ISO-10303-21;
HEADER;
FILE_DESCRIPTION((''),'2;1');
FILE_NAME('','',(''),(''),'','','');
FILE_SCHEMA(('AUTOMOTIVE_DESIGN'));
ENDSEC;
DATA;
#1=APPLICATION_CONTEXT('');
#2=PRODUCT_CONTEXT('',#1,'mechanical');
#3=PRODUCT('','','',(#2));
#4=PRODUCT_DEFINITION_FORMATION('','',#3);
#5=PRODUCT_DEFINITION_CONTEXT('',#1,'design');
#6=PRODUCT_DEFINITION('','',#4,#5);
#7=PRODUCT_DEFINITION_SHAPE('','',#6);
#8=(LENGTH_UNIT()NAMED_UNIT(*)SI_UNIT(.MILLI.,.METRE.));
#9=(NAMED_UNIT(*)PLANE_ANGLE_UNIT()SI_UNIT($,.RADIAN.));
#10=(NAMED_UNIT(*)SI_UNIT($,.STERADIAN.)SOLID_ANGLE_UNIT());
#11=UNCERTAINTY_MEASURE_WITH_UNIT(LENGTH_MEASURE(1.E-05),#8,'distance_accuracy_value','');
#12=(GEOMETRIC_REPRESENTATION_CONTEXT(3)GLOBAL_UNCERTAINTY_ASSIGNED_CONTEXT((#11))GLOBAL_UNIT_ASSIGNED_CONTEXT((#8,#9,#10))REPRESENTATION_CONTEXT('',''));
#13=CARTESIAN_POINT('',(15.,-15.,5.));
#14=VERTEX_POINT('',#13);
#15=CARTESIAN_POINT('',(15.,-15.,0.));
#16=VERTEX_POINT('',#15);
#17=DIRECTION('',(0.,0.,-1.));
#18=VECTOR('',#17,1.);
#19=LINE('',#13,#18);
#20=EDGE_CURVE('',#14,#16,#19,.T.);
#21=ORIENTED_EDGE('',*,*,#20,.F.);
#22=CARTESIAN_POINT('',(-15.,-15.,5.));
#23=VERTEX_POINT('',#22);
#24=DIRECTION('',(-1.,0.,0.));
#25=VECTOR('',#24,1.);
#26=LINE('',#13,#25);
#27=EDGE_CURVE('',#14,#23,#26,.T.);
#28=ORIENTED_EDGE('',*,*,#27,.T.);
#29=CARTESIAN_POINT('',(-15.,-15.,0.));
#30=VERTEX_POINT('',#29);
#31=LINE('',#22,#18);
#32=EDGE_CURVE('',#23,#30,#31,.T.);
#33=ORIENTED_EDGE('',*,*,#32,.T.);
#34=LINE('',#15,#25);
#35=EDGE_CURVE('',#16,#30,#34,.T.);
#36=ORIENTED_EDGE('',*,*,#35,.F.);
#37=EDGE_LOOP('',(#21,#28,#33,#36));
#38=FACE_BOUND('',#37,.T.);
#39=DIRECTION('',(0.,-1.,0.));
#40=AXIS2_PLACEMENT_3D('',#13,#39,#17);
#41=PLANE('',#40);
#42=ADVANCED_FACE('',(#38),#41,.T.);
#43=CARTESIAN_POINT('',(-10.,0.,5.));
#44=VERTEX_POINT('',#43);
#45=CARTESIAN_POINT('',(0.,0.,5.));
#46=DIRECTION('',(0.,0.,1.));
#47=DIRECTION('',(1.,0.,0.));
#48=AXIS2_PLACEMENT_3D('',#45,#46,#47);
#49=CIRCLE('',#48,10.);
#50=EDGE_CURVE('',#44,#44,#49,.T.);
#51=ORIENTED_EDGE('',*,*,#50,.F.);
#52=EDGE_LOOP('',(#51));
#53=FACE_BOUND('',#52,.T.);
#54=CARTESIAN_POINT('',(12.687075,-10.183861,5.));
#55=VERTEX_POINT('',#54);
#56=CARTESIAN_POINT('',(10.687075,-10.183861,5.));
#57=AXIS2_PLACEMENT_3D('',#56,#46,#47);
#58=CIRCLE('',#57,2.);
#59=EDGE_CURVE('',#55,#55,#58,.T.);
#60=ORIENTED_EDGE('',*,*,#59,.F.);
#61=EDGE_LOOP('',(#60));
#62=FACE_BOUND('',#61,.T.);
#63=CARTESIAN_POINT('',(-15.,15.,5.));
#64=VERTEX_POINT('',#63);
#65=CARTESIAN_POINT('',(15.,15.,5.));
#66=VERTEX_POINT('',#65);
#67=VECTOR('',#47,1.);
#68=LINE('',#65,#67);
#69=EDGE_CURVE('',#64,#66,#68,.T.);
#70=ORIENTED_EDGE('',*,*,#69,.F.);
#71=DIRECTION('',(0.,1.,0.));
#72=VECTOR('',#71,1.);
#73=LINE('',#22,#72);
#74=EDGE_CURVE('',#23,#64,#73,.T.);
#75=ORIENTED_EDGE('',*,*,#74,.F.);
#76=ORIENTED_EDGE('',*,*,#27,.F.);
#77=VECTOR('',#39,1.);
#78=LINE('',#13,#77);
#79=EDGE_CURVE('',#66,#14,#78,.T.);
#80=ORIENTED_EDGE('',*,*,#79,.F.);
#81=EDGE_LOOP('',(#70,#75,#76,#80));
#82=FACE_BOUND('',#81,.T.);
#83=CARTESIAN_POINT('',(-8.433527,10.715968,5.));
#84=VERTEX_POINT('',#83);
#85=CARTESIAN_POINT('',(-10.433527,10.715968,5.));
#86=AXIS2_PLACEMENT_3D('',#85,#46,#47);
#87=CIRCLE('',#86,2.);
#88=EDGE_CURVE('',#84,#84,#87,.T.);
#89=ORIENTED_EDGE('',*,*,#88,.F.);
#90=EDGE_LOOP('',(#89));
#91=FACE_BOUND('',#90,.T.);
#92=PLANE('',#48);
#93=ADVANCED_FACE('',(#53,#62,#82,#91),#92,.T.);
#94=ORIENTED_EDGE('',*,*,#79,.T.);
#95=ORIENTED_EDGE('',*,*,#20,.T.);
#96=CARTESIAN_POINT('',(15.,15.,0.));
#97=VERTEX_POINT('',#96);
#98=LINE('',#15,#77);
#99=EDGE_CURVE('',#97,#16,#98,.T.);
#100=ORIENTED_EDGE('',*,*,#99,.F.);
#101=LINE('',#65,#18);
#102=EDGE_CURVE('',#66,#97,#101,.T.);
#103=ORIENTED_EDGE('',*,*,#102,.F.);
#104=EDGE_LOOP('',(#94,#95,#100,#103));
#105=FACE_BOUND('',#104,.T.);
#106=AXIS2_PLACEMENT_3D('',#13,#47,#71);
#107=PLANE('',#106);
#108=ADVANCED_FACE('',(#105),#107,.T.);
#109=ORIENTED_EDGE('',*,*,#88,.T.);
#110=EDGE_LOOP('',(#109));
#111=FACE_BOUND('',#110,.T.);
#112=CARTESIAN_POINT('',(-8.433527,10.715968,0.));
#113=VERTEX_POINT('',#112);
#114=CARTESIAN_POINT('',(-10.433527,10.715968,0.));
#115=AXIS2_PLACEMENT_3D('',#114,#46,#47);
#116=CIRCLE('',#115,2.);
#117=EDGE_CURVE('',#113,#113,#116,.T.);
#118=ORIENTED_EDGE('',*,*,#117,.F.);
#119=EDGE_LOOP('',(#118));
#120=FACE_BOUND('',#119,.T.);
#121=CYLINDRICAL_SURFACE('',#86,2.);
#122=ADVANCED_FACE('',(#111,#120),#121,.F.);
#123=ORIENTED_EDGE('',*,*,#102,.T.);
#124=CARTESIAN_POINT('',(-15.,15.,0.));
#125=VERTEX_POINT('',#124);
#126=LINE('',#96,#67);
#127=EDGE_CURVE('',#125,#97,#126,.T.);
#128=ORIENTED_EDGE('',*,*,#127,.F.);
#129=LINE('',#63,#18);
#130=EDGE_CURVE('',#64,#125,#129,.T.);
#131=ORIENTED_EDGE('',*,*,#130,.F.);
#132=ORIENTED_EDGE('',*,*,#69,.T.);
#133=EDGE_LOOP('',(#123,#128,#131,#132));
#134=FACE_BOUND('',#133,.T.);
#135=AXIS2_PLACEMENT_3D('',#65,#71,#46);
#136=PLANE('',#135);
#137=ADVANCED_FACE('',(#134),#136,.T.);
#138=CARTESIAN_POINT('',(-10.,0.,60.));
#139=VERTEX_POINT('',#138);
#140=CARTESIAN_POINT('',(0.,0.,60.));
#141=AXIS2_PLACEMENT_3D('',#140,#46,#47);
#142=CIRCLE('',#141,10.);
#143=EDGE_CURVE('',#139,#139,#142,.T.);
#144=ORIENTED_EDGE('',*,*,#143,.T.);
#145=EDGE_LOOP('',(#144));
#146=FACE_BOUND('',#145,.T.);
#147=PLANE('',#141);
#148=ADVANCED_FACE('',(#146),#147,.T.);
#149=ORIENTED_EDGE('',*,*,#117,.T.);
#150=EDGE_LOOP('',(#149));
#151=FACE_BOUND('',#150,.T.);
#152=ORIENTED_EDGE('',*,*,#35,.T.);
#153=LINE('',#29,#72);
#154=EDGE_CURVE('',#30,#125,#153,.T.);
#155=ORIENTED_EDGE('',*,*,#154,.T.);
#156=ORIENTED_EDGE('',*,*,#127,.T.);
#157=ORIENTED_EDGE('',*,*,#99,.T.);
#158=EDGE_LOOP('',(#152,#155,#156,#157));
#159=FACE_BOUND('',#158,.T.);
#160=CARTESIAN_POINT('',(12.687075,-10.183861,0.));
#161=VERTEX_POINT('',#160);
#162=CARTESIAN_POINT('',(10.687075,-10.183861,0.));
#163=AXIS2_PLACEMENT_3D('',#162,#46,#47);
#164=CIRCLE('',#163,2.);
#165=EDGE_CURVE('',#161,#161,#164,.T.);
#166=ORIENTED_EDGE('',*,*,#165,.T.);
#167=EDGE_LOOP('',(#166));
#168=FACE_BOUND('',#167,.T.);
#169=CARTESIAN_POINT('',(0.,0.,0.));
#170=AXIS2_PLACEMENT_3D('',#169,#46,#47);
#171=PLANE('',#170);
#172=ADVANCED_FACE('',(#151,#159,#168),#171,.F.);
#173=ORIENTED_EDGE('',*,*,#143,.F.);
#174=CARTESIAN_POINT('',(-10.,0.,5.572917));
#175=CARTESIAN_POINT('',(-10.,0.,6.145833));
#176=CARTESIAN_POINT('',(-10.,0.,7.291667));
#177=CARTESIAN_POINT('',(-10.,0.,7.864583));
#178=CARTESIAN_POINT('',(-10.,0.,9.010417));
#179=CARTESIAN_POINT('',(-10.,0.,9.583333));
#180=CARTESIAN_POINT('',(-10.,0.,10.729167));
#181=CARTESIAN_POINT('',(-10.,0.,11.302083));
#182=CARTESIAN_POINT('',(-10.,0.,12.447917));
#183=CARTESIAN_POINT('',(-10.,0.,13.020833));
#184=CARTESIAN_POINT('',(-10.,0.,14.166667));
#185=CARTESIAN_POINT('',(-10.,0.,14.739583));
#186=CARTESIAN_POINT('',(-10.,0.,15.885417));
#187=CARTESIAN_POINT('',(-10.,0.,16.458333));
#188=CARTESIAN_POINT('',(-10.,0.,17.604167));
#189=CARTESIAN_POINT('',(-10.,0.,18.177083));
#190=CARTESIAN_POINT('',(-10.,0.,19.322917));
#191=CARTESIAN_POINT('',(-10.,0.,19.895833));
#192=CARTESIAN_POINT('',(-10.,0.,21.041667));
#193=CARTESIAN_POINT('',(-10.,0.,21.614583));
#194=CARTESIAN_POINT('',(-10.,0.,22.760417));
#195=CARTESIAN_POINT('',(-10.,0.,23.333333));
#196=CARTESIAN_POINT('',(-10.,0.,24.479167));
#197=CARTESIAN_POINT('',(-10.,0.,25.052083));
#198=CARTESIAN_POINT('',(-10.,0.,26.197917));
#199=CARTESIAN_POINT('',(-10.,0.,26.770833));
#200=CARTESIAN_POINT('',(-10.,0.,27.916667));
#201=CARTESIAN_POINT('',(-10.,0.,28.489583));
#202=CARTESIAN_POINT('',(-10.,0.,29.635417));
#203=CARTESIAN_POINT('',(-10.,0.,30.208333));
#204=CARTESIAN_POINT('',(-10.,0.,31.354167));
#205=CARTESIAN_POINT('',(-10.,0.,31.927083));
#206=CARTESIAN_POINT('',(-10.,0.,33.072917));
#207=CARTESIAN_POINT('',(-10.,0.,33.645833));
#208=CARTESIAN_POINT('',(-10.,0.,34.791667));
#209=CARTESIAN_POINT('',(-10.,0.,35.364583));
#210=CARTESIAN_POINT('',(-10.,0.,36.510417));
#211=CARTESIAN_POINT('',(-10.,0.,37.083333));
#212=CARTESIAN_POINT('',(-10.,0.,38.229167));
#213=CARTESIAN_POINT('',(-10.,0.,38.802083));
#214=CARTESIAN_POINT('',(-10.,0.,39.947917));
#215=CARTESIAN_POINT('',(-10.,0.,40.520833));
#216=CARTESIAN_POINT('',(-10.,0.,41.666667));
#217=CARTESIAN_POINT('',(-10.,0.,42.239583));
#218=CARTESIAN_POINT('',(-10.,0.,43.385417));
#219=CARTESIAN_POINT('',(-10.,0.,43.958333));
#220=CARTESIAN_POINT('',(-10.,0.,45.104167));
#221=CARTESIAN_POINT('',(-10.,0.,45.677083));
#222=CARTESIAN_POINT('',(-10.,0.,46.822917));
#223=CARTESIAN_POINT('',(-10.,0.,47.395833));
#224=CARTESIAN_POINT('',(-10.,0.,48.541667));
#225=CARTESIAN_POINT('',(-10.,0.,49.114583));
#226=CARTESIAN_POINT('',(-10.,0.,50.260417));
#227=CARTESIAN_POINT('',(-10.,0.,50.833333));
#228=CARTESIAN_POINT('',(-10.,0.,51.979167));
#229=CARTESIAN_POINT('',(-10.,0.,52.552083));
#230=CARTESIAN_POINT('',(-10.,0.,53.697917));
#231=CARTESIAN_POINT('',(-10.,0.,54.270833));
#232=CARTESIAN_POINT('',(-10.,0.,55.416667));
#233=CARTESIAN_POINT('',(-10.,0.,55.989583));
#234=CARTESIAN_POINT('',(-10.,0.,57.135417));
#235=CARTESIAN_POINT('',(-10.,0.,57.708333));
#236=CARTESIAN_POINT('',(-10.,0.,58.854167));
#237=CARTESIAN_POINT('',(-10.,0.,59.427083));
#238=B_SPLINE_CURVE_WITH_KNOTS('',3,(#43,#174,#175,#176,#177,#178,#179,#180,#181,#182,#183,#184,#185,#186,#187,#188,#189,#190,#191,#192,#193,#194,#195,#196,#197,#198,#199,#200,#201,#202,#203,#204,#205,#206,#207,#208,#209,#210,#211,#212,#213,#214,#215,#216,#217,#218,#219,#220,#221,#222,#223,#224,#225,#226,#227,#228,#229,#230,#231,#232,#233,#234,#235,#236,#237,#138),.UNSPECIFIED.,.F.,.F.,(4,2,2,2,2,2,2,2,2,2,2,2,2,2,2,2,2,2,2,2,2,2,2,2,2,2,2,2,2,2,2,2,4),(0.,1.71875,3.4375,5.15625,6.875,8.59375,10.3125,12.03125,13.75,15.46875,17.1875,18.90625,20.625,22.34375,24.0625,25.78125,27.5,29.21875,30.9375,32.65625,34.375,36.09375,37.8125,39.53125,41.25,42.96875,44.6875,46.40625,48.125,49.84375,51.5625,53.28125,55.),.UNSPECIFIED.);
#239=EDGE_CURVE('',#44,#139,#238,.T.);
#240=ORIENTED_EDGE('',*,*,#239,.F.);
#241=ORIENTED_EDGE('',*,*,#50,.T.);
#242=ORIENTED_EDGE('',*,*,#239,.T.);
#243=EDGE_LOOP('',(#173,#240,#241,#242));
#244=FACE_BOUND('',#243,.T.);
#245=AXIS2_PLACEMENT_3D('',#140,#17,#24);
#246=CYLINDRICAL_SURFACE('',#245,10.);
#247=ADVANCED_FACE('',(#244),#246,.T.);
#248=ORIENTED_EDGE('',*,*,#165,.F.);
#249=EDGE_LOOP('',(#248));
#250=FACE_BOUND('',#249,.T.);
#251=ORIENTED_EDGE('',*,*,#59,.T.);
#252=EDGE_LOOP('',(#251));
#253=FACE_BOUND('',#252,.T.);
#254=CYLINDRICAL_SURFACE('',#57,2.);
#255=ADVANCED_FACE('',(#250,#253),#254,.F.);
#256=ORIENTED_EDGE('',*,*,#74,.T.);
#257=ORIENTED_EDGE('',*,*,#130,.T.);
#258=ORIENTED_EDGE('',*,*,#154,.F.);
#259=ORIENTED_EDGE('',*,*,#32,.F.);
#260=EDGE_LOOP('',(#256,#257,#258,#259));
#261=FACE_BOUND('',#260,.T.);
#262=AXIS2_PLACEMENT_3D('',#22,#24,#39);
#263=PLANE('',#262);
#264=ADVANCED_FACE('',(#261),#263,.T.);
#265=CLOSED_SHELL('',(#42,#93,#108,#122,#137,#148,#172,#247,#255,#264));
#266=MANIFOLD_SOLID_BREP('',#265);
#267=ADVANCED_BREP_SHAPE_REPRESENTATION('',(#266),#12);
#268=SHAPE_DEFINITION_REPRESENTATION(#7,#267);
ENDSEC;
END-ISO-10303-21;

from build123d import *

# Parameters (mm, degrees)
SKETCH1_R                 = 10
BOSS_EXTRUDE1_DEPTH       = 60
SKETCH3_W                 = 30
SKETCH3_H                 = 30
BOSS_EXTRUDE2_DEPTH       = 5
F_4_0MM_DOWEL_HOLE1_D     = 4
F_4_0MM_DOWEL_HOLE1_DEPTH = 35
F_4_0MM_DOWEL_HOLE1_TIP   = 1.201721238


with BuildPart() as part:
    # Sketch1 → Boss-Extrude1 (new body)
    with BuildSketch(Plane.XY):
        with Locations(Location((0, 0, 0), (0, 0, 180))):
            Circle(SKETCH1_R)
    extrude(amount=BOSS_EXTRUDE1_DEPTH)

    # Sketch3 → Boss-Extrude2 (add)
    with BuildSketch(Plane(origin=(0, 0, 0), x_dir=(-1, 0, 0), z_dir=(0, 0, -1))):
        Rectangle(SKETCH3_W, SKETCH3_H)
    extrude(amount=-BOSS_EXTRUDE2_DEPTH)

    # Ø4.0mm Dowel Hole1
    with Locations(Plane(origin=(-10.433527311, 10.715968246, 5), x_dir=(1, 0, 0), z_dir=(0, 0, 1))):
        with Locations((0, 0), (21.120601919, -20.899829076)):
            Hole(F_4_0MM_DOWEL_HOLE1_D / 2, depth=F_4_0MM_DOWEL_HOLE1_DEPTH)
            with Locations((0, 0, -(F_4_0MM_DOWEL_HOLE1_DEPTH + F_4_0MM_DOWEL_HOLE1_TIP / 2))):  # 118° drill point
                Cone(0, F_4_0MM_DOWEL_HOLE1_D / 2, F_4_0MM_DOWEL_HOLE1_TIP, mode=Mode.SUBTRACT)


solid = part.part
